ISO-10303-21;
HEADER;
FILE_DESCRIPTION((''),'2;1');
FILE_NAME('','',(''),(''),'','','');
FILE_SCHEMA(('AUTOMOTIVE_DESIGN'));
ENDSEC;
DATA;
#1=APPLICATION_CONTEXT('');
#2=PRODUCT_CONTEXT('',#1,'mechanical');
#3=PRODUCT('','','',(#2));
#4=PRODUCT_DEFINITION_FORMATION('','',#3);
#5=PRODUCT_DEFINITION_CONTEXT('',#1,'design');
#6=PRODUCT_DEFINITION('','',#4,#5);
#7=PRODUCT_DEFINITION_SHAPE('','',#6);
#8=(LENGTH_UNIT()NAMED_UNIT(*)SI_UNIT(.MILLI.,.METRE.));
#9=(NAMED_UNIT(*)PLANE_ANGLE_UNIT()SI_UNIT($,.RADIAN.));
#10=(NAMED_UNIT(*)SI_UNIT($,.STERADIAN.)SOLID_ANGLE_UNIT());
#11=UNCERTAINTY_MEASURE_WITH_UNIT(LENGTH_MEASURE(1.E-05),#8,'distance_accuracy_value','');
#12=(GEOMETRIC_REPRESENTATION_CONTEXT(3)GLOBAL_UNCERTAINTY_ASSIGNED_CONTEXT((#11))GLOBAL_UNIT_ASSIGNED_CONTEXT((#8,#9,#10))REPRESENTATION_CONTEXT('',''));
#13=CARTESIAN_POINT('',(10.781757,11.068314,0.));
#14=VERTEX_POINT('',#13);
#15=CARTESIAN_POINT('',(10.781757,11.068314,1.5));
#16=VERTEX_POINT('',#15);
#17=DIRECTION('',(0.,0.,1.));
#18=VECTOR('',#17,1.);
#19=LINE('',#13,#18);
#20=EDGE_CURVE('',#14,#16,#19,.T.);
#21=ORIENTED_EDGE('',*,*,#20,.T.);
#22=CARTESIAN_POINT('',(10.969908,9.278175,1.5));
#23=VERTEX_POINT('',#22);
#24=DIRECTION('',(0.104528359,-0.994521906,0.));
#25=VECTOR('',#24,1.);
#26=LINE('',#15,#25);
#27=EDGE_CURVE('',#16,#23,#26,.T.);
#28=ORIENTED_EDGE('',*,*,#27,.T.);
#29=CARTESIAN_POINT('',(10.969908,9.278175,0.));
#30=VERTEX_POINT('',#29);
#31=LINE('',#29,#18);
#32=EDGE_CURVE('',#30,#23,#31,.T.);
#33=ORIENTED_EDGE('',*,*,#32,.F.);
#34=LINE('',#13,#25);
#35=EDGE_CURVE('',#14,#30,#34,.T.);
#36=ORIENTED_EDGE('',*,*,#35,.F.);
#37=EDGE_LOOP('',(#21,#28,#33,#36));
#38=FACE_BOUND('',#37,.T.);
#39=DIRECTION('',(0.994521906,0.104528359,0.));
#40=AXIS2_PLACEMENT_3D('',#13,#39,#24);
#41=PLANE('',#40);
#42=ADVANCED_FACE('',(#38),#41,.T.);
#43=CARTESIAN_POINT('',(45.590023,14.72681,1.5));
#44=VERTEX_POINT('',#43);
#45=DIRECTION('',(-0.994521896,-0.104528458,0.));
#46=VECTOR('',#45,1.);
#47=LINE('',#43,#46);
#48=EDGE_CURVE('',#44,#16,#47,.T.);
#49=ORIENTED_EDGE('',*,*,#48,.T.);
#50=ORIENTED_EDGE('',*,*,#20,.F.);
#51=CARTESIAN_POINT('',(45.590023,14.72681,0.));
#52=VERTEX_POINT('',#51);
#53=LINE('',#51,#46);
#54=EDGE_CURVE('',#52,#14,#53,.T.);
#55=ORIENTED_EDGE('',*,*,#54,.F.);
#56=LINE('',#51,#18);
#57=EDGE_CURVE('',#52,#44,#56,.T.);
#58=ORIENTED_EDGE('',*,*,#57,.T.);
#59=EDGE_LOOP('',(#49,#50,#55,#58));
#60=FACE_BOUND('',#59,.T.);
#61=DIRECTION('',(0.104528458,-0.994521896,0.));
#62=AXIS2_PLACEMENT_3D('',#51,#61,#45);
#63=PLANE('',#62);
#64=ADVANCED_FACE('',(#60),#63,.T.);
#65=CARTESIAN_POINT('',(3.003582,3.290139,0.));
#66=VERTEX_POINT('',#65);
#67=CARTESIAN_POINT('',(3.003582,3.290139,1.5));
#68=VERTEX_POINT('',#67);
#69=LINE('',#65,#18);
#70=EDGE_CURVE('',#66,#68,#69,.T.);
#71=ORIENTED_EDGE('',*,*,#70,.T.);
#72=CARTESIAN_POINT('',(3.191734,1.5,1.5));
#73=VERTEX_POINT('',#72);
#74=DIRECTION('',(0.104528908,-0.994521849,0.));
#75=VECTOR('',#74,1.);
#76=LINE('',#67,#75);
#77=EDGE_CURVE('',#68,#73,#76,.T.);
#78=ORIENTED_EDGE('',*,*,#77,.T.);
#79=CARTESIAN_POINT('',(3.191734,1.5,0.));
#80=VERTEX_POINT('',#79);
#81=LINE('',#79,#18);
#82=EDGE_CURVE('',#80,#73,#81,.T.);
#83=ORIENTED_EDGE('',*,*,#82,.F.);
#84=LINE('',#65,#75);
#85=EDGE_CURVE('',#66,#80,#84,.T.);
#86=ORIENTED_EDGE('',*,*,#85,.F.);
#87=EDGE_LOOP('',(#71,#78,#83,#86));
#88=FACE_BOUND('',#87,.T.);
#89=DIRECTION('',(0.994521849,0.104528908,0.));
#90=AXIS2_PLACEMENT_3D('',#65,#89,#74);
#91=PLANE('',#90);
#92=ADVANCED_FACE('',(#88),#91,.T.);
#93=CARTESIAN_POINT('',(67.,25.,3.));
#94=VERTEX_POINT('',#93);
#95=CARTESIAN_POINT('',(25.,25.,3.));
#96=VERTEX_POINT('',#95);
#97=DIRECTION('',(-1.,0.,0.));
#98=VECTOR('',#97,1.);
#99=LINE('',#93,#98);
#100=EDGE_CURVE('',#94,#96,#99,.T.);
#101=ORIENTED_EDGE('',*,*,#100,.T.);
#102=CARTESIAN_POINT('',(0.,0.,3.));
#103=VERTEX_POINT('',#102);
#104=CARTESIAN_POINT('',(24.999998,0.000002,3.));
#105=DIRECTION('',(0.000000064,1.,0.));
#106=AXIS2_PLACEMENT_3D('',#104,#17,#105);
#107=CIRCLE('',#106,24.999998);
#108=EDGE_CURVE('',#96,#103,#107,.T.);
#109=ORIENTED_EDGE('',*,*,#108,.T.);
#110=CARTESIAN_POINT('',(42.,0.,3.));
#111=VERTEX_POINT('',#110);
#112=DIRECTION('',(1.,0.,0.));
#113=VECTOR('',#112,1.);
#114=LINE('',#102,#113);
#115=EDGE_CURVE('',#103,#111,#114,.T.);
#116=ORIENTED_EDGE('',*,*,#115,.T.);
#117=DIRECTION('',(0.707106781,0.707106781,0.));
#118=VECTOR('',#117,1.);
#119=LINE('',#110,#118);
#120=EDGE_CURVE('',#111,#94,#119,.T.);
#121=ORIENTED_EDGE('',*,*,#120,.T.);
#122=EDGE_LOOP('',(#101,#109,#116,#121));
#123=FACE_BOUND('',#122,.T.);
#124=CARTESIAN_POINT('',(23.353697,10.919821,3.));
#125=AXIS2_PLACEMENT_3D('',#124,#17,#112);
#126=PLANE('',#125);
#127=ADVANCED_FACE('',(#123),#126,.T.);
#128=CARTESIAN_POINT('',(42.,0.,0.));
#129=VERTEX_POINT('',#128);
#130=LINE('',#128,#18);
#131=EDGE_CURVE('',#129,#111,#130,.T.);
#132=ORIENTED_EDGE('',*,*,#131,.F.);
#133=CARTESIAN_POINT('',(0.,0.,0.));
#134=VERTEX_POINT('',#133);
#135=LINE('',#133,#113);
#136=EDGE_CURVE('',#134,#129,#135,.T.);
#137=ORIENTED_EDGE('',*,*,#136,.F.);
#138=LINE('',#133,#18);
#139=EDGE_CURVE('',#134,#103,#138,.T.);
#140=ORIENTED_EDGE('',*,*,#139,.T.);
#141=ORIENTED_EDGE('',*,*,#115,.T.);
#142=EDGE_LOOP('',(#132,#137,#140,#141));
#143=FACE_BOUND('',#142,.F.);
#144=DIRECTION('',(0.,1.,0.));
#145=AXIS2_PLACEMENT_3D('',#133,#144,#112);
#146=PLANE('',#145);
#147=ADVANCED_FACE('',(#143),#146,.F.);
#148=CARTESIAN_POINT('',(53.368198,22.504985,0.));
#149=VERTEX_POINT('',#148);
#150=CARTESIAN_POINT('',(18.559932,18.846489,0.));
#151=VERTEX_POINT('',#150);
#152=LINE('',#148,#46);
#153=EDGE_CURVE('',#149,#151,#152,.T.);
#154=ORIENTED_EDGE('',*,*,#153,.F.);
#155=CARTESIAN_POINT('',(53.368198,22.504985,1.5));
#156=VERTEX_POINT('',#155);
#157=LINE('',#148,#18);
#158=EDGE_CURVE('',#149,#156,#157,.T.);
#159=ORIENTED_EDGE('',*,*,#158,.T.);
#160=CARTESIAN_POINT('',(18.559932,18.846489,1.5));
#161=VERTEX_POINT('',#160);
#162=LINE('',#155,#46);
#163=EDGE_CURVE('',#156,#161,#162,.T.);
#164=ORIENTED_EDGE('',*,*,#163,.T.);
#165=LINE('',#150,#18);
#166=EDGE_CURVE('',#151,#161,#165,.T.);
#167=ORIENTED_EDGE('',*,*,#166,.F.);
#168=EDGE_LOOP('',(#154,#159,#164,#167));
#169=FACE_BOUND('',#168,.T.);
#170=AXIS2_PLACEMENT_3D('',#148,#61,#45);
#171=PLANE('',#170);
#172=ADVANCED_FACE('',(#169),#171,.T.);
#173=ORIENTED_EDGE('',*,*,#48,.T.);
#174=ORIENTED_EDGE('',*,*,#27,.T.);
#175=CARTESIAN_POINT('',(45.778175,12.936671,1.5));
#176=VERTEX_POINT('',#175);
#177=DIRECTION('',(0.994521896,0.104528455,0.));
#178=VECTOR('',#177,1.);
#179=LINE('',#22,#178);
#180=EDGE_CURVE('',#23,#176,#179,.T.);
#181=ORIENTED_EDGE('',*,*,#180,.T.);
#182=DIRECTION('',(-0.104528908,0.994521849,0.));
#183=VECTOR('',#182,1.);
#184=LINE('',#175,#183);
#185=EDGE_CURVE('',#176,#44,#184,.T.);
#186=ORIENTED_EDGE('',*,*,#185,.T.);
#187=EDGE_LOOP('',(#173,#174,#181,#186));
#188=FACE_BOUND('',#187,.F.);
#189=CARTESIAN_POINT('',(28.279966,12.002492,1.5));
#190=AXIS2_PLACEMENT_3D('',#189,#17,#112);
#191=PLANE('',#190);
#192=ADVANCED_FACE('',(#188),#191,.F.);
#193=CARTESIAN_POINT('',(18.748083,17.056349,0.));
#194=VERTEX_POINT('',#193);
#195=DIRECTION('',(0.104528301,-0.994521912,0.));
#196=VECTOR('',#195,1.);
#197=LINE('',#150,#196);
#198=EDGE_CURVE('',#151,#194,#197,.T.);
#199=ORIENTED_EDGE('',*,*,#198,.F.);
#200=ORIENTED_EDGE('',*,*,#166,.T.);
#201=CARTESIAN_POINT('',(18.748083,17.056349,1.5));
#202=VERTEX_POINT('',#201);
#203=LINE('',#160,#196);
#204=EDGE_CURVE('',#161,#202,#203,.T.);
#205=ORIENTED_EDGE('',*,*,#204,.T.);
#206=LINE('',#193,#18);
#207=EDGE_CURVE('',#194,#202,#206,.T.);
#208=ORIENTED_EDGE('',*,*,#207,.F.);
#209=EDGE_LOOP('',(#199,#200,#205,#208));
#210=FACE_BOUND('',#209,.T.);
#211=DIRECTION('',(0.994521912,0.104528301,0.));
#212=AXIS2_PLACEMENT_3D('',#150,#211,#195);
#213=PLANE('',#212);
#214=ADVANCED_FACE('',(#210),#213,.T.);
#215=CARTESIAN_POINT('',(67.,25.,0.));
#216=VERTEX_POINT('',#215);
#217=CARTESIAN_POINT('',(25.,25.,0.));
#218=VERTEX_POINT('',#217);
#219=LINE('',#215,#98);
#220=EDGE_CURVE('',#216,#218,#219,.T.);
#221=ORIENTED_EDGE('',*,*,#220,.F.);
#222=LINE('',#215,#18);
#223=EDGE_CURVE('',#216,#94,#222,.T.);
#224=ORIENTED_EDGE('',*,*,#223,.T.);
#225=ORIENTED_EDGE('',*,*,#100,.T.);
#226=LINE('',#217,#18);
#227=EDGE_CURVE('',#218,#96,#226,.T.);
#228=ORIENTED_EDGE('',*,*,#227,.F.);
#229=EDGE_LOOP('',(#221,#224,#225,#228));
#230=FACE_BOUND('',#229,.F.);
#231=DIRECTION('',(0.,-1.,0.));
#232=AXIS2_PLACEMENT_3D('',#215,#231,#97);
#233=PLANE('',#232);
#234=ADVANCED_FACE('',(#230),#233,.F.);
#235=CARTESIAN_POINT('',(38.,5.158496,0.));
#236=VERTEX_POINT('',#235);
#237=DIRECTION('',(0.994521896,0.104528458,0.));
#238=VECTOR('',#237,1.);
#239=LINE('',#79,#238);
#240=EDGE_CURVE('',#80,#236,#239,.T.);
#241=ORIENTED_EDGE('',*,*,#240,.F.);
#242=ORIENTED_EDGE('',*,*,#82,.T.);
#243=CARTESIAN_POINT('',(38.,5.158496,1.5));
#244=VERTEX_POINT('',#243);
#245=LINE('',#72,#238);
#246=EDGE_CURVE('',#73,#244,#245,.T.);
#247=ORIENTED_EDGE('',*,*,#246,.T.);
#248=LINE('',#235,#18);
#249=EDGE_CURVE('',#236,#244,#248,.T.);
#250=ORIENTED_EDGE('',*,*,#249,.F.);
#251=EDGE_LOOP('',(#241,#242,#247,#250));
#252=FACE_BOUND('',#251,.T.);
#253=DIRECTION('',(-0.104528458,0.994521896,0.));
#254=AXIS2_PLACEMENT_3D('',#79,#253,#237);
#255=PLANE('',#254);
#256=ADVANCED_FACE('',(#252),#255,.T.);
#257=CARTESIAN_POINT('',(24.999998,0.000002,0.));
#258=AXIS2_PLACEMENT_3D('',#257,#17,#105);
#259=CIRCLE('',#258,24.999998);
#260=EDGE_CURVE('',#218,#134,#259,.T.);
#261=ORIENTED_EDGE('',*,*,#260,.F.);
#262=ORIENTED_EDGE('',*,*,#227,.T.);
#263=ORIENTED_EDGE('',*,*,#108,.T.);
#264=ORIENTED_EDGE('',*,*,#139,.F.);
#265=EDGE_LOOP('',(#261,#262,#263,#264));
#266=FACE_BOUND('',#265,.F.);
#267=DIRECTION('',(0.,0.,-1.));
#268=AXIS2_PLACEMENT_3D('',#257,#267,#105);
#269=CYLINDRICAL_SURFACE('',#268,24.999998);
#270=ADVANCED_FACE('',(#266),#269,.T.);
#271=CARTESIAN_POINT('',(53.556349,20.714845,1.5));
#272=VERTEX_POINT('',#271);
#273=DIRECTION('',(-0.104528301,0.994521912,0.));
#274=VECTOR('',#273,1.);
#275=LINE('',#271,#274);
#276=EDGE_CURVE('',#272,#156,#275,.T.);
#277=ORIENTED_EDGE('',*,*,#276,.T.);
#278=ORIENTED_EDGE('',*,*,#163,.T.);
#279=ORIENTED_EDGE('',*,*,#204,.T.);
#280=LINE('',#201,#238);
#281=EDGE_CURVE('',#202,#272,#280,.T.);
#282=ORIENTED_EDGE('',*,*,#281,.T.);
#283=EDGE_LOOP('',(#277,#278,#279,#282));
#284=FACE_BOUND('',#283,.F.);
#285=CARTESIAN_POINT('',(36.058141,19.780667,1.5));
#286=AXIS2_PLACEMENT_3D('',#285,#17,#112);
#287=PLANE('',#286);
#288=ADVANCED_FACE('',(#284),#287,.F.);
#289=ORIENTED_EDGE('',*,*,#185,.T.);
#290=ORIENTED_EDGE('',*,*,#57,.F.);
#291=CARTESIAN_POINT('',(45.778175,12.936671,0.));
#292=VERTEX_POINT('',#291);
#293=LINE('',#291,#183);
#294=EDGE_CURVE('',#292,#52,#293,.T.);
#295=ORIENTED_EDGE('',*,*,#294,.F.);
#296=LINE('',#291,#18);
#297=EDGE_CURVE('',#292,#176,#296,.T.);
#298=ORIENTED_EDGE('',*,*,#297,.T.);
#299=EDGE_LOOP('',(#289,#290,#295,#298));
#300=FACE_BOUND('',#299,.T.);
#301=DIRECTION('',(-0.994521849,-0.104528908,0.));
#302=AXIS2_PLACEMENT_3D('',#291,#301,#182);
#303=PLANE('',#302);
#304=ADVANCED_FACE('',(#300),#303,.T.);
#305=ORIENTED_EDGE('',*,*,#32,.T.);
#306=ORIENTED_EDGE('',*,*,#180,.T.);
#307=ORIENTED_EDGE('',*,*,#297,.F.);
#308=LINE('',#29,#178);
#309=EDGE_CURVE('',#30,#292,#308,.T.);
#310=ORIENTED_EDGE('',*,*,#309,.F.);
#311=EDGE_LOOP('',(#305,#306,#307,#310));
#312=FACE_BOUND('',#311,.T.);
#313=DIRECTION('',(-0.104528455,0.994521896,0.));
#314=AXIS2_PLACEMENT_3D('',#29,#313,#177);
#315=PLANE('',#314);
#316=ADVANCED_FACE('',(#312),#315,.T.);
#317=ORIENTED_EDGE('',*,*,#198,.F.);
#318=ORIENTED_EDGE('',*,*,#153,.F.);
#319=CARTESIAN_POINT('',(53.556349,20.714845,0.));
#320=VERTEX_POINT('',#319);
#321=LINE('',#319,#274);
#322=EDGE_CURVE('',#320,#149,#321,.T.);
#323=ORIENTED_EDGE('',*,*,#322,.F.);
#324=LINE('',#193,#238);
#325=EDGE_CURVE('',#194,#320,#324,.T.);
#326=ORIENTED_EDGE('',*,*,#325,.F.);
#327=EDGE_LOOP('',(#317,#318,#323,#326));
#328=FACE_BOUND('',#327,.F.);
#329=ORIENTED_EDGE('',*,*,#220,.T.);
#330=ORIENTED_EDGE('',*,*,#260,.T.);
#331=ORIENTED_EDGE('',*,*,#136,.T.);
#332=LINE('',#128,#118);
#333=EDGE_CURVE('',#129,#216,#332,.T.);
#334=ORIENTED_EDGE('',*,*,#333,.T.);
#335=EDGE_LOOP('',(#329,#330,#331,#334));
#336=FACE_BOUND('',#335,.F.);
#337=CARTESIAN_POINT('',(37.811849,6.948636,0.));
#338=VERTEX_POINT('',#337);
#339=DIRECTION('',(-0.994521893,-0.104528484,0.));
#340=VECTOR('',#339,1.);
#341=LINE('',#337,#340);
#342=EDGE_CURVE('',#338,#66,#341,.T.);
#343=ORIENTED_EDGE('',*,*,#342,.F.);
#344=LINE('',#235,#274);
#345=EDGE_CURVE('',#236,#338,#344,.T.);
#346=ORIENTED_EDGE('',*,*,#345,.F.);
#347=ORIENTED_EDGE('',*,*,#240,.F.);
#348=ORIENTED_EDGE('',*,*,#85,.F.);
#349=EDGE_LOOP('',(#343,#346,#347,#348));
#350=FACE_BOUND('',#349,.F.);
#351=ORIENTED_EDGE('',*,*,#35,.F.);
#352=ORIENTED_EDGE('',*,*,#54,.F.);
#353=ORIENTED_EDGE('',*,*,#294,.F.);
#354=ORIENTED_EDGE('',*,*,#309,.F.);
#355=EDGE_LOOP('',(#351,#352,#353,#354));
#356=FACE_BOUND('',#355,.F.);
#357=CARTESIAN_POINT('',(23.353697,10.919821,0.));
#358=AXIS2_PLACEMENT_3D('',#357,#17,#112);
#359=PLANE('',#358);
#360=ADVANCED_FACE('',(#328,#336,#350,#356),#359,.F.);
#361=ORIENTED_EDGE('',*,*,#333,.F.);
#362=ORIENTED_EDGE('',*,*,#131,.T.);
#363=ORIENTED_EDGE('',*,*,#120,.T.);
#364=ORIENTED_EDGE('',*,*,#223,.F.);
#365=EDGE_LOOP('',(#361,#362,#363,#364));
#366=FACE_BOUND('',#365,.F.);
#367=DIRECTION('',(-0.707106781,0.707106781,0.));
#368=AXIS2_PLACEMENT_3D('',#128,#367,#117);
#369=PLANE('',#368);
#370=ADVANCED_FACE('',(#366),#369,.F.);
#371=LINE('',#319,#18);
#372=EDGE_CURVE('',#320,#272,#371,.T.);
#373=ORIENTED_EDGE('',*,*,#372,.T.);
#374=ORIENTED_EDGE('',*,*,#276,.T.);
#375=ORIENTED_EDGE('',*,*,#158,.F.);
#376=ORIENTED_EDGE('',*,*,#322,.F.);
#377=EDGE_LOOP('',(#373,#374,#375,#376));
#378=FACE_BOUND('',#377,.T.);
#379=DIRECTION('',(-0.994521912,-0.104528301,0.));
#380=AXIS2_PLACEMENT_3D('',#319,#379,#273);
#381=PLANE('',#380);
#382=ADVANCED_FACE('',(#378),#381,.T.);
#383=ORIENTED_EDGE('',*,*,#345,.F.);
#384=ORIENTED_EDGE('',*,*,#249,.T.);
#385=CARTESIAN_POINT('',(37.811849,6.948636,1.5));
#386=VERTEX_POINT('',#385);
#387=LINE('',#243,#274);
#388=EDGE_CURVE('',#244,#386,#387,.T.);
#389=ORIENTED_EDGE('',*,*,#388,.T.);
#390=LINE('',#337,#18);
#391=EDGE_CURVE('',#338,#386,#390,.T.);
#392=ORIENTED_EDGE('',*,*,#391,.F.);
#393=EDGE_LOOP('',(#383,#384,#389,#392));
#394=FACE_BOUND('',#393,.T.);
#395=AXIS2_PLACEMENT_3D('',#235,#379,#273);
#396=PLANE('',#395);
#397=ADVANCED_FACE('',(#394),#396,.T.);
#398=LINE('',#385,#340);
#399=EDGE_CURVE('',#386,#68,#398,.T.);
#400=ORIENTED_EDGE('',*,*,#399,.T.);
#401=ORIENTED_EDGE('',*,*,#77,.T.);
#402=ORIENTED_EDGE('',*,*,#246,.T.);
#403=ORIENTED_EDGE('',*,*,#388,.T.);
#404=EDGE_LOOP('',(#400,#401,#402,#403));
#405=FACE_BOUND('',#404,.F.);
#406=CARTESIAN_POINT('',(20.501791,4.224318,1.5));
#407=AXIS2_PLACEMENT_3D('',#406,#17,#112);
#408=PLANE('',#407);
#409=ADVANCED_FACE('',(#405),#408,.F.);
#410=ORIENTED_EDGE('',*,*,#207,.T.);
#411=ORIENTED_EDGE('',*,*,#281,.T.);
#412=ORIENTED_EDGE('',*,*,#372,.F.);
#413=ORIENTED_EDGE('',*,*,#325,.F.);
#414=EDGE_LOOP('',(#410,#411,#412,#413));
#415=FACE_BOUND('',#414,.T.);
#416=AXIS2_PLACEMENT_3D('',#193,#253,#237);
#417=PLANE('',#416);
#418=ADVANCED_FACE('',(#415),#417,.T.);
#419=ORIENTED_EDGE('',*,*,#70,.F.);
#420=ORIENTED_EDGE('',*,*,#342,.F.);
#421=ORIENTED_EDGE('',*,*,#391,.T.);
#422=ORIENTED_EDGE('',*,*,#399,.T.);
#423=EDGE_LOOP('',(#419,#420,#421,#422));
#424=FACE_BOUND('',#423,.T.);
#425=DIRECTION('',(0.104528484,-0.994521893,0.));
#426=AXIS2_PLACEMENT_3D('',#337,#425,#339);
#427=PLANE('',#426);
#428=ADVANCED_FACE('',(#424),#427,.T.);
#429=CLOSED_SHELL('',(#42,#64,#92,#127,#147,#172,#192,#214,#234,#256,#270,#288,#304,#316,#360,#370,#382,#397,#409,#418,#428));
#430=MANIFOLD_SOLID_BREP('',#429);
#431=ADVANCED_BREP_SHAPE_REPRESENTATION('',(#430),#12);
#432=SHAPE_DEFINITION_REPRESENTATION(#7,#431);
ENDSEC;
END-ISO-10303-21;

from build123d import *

# Parameters (mm, degrees)
F1_DEPTH = 3
F3_DEPTH = 1.5


with BuildPart() as f1:
    # F0 (on Top) → F1 (new body)
    with BuildSketch(Plane.XY):
        with BuildLine():
            ThreePointArc((25, 25), (7.32233, 17.67767), (0, 0))
            Line((0, 0), (42, 0))
            Line((42, 0), (42, 25))
            Line((42, 25), (25, 25))
        make_face()
        Polygon((42, 25), (42, 0), (67, 25), align=None)
    extrude(amount=F1_DEPTH)

    # F2 (on Top) → F3 (cut)
    with BuildSketch(Plane.XY):
        Polygon((3.003582, 3.290139), (3.191734, 1.5), (38, 5.158496), (37.811849, 6.948636), align=None)
        Polygon((10.781757, 11.068314), (10.969908, 9.278175), (45.778175, 12.936671), (45.590023, 14.72681), align=None)
        Polygon((18.559932, 18.846489), (18.748083, 17.056349), (53.556349, 20.714845), (53.368198, 22.504985), align=None)
    extrude(amount=F3_DEPTH, mode=Mode.SUBTRACT)


solid = f1.part
